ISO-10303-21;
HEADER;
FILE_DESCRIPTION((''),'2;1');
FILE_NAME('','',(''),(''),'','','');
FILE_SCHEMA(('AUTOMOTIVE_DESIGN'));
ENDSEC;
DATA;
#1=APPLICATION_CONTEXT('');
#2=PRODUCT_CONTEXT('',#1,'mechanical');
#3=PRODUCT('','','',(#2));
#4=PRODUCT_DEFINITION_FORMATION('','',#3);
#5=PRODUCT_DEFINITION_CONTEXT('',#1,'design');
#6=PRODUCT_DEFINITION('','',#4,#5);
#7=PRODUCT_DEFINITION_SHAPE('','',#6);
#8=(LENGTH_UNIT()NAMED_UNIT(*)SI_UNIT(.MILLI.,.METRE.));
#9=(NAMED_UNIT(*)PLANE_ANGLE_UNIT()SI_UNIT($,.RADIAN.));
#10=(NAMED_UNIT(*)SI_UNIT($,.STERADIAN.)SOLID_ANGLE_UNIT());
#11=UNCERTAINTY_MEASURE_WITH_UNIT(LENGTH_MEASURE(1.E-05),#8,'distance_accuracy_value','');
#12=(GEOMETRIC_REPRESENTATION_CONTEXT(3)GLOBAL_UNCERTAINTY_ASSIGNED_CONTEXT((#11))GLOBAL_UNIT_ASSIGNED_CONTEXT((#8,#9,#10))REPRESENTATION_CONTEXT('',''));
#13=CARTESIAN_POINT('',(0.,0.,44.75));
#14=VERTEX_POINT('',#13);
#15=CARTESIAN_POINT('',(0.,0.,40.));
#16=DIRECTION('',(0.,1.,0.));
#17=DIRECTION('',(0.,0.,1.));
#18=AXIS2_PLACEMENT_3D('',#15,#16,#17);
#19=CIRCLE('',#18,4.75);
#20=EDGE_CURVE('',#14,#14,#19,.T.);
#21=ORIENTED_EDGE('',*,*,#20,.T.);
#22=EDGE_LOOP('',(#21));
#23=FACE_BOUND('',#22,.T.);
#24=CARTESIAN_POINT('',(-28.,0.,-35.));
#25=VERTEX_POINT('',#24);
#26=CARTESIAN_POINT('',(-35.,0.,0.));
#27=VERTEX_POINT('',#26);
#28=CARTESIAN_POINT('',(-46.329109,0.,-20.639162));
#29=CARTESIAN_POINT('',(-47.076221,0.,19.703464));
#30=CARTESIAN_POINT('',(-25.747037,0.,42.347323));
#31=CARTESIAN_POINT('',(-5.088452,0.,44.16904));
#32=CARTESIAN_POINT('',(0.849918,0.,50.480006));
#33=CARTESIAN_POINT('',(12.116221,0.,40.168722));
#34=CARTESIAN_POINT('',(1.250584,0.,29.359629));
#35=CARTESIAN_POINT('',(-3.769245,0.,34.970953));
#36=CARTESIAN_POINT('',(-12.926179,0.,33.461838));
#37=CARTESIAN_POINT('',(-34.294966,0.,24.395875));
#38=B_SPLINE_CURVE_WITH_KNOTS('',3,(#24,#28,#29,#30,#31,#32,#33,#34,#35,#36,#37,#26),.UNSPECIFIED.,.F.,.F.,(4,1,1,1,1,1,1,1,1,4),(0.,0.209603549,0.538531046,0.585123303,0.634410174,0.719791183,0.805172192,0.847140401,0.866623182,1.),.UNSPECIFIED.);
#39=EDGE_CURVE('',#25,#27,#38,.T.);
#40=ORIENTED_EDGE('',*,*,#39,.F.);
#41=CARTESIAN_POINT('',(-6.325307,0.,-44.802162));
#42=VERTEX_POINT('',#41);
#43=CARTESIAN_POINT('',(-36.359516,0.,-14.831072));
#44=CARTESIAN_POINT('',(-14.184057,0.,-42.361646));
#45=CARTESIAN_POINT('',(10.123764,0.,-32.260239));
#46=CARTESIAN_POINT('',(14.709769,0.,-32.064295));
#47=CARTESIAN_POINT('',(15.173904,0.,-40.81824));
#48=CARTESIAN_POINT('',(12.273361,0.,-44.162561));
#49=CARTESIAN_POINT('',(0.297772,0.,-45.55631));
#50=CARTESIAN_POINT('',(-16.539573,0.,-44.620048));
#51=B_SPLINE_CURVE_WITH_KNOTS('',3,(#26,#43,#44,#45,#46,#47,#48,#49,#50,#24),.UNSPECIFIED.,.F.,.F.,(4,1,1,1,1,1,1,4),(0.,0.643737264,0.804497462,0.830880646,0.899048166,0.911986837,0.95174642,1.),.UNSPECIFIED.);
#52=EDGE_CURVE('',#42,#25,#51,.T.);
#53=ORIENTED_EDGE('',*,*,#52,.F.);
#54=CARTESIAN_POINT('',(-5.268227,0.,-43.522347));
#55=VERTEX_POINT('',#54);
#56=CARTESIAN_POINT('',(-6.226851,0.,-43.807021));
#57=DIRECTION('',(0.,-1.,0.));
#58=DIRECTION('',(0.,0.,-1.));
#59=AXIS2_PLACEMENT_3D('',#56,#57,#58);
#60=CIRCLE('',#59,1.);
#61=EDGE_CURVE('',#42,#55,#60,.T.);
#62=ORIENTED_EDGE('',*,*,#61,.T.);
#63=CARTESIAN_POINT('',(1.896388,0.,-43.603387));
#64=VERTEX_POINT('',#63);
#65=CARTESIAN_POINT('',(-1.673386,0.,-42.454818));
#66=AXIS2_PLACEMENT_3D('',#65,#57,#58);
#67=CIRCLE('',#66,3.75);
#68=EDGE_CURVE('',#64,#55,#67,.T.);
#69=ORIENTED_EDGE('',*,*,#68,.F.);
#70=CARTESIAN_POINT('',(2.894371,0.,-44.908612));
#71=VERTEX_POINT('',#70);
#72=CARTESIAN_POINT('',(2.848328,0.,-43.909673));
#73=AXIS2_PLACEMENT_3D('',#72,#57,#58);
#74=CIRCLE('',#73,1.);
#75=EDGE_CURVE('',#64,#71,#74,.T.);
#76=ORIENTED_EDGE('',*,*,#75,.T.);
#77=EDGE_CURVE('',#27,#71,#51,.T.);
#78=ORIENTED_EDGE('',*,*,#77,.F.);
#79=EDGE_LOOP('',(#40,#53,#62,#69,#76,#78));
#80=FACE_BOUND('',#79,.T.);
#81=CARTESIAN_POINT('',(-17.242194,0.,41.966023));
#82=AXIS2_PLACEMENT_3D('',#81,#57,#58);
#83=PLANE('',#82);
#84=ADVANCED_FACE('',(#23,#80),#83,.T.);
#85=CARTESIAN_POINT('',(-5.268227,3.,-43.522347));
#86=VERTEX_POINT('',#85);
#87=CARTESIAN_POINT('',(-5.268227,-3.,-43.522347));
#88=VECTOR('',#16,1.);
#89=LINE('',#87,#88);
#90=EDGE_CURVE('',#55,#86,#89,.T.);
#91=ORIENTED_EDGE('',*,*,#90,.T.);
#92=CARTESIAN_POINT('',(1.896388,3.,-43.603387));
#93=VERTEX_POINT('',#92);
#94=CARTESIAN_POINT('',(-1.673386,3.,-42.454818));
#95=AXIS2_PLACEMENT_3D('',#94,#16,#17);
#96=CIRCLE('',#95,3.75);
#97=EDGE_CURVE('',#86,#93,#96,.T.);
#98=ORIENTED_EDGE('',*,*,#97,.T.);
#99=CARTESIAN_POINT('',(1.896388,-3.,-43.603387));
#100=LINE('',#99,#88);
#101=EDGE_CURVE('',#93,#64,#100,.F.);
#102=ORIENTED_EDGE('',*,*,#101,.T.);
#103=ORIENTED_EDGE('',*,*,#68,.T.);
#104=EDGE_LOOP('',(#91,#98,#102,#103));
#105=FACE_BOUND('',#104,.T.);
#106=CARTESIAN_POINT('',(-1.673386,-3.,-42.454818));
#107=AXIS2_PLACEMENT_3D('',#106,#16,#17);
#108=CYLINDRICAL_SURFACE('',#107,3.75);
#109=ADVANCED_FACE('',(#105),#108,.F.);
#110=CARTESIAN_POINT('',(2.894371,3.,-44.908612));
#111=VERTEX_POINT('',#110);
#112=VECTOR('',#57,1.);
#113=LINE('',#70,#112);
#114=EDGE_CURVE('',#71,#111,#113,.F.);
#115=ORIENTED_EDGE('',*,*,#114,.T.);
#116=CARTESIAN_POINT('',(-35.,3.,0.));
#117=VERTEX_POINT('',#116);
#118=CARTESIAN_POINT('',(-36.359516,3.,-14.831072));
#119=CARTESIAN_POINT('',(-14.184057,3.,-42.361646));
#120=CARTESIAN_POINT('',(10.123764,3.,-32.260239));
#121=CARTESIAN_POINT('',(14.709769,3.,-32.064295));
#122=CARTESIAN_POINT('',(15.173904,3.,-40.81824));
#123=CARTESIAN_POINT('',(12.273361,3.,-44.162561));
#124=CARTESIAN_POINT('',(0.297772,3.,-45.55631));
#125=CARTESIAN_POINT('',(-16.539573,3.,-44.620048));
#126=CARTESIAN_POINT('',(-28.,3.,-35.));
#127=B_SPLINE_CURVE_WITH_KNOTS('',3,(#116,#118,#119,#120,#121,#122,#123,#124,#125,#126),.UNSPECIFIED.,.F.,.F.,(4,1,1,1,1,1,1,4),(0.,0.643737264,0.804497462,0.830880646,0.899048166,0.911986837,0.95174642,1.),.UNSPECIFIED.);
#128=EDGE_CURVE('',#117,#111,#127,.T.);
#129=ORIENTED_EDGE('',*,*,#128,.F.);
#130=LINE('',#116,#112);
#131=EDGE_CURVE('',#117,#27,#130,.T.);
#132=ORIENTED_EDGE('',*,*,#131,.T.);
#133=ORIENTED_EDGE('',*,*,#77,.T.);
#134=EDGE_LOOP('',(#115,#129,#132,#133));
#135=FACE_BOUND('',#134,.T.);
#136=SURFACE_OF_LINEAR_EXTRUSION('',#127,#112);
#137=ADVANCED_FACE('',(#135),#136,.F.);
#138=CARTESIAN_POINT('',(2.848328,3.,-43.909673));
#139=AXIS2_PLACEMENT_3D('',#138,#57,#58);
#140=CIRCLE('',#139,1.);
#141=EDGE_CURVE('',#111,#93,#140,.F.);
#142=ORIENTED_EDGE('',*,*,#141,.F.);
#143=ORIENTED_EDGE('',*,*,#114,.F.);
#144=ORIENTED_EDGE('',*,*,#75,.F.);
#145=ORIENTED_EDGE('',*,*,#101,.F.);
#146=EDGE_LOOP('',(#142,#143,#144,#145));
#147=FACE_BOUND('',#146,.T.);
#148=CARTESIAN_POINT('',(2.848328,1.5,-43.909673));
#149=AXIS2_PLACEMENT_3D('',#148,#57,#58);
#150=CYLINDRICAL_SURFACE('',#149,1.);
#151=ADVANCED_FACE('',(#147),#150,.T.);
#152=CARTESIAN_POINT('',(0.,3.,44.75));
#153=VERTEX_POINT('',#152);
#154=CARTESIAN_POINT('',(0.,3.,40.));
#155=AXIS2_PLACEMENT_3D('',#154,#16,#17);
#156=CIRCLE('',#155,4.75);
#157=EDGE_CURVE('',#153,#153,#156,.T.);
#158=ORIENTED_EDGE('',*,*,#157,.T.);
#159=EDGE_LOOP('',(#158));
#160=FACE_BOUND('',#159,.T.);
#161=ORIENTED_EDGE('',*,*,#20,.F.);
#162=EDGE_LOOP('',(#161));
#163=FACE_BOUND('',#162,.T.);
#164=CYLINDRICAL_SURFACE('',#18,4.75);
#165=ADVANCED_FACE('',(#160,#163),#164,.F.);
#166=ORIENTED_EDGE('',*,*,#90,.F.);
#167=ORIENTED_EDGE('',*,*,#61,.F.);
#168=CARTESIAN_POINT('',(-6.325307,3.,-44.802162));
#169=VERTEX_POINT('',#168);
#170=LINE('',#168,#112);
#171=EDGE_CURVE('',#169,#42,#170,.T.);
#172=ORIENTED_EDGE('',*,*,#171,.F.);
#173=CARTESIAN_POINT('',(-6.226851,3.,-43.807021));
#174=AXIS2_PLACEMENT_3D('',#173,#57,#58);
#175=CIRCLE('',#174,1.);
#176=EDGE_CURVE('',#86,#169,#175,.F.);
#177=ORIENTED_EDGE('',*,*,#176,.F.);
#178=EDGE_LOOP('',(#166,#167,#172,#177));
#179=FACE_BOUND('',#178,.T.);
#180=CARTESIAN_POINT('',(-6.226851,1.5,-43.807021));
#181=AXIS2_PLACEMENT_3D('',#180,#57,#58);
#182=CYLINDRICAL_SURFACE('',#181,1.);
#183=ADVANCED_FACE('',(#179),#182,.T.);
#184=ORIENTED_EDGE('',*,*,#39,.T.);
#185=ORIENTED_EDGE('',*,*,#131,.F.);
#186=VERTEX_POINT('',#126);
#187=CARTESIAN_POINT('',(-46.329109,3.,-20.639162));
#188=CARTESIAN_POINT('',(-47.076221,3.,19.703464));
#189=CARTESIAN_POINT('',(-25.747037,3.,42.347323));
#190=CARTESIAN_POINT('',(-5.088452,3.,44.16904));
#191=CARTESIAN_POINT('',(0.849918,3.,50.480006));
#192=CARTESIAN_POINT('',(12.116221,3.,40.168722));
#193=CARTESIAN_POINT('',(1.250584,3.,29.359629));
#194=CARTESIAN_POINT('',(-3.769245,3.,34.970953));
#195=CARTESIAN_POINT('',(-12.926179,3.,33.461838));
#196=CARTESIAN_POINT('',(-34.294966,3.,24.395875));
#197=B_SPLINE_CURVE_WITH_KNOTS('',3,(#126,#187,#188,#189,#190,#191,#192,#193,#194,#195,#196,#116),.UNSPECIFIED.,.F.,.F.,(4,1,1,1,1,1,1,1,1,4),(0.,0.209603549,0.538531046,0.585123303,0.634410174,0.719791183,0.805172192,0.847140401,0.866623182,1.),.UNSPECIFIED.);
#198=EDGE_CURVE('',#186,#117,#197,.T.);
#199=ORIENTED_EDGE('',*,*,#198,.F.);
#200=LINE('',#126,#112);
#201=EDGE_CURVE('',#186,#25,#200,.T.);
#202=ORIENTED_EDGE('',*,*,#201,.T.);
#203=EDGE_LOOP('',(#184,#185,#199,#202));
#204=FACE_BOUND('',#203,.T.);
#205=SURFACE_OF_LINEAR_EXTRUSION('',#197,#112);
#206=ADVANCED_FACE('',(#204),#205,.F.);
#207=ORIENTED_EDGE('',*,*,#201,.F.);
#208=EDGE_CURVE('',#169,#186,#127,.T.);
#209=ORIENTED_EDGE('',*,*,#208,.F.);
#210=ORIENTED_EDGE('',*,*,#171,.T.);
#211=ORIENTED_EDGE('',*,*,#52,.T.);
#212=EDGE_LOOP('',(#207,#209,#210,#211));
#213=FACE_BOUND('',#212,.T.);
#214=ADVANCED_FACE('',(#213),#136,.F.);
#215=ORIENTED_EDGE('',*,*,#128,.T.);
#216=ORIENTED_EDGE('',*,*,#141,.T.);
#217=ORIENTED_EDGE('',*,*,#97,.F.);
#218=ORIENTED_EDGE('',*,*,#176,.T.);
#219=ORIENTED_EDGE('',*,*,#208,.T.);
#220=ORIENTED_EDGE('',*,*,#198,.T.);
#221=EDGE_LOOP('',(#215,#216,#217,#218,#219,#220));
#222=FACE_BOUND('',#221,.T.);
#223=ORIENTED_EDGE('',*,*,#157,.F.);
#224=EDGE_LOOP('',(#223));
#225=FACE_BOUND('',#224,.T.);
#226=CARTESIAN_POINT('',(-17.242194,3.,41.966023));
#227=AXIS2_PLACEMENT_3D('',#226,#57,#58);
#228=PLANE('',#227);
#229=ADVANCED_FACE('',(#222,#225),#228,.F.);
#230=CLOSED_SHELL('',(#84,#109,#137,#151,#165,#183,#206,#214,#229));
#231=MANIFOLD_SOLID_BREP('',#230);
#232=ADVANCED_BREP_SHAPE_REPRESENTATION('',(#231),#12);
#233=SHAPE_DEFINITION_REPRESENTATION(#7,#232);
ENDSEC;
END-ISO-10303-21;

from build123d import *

# Parameters (mm, degrees)
BOSS_EXTRUDE1_DEPTH = 3
SKETCH2_R           = 4.75
CUT_EXTRUDE1_DEPTH  = 3
SKETCH3_R           = 3.75
CUT_EXTRUDE2_DEPTH  = 6
FILLET1_R           = 1


with BuildPart() as part:
    # Sketch1 → Boss-Extrude1 (new body)
    with BuildSketch(Plane(origin=(0, 0, 0), x_dir=(1, 0, 0), z_dir=(0, 1, 0))):
        with BuildLine():
            add(Edge.make_bspline(
                [(-35, 0), (-36.359516326, 14.831072325), (-14.184057163, 42.361645641), (10.123763675, 32.260238564), (14.709769121, 32.064295249), (15.173904313, 40.818240015), (12.273361417, 44.162560977), (0.297772143, 45.556309898), (-16.539572512, 44.620048114), (-28, 35)],
                knots=[0, 0, 0, 0, 0.643737264, 0.804497462, 0.830880646, 0.899048166, 0.911986837, 0.95174642, 1, 1, 1, 1], degree=3))
            add(Edge.make_bspline(
                [(-28, 35), (-46.329108557, 20.639162327), (-47.076220818, -19.703464495), (-25.747036949, -42.347322679), (-5.088451666, -44.169040026), (0.849917635, -50.480006168), (12.116221023, -40.168721851), (1.250584011, -29.35962859), (-3.769244573, -34.970952953), (-12.926178672, -33.461838009), (-34.2949665, -24.395875385), (-35, 0)],
                knots=[0, 0, 0, 0, 0.209603549, 0.538531046, 0.585123303, 0.634410174, 0.719791183, 0.805172192, 0.847140401, 0.866623182, 1, 1, 1, 1], degree=3))
        make_face()
    extrude(amount=BOSS_EXTRUDE1_DEPTH)

    # Sketch2 → Cut-Extrude1 (cut)
    with BuildSketch(Plane(origin=(0, 3, 0), x_dir=(1, 0, 0), z_dir=(0, 1, 0))):
        with Locations(Location((0, -40, 0), (0, 0, 270))):
            Circle(SKETCH2_R)
    extrude(amount=-CUT_EXTRUDE1_DEPTH, mode=Mode.SUBTRACT)

    # Sketch3 → Cut-Extrude2 (cut)
    with BuildSketch(Plane(origin=(0, 3, 0), x_dir=(1, 0, 0), z_dir=(0, 1, 0))):
        with Locations((-1.673386239, 42.45481762)):
            Circle(SKETCH3_R)
    extrude(amount=-CUT_EXTRUDE2_DEPTH, mode=Mode.SUBTRACT)

    # Fillet1
    fillet1_edges = [part.edges().sort_by_distance(p)[0] for p in [
        (-4.479465428, 1.5, -44.94247105),
        (1.103946658, 1.5, -44.974524345),
    ]]
    fillet(fillet1_edges, radius=FILLET1_R)


solid = part.part
